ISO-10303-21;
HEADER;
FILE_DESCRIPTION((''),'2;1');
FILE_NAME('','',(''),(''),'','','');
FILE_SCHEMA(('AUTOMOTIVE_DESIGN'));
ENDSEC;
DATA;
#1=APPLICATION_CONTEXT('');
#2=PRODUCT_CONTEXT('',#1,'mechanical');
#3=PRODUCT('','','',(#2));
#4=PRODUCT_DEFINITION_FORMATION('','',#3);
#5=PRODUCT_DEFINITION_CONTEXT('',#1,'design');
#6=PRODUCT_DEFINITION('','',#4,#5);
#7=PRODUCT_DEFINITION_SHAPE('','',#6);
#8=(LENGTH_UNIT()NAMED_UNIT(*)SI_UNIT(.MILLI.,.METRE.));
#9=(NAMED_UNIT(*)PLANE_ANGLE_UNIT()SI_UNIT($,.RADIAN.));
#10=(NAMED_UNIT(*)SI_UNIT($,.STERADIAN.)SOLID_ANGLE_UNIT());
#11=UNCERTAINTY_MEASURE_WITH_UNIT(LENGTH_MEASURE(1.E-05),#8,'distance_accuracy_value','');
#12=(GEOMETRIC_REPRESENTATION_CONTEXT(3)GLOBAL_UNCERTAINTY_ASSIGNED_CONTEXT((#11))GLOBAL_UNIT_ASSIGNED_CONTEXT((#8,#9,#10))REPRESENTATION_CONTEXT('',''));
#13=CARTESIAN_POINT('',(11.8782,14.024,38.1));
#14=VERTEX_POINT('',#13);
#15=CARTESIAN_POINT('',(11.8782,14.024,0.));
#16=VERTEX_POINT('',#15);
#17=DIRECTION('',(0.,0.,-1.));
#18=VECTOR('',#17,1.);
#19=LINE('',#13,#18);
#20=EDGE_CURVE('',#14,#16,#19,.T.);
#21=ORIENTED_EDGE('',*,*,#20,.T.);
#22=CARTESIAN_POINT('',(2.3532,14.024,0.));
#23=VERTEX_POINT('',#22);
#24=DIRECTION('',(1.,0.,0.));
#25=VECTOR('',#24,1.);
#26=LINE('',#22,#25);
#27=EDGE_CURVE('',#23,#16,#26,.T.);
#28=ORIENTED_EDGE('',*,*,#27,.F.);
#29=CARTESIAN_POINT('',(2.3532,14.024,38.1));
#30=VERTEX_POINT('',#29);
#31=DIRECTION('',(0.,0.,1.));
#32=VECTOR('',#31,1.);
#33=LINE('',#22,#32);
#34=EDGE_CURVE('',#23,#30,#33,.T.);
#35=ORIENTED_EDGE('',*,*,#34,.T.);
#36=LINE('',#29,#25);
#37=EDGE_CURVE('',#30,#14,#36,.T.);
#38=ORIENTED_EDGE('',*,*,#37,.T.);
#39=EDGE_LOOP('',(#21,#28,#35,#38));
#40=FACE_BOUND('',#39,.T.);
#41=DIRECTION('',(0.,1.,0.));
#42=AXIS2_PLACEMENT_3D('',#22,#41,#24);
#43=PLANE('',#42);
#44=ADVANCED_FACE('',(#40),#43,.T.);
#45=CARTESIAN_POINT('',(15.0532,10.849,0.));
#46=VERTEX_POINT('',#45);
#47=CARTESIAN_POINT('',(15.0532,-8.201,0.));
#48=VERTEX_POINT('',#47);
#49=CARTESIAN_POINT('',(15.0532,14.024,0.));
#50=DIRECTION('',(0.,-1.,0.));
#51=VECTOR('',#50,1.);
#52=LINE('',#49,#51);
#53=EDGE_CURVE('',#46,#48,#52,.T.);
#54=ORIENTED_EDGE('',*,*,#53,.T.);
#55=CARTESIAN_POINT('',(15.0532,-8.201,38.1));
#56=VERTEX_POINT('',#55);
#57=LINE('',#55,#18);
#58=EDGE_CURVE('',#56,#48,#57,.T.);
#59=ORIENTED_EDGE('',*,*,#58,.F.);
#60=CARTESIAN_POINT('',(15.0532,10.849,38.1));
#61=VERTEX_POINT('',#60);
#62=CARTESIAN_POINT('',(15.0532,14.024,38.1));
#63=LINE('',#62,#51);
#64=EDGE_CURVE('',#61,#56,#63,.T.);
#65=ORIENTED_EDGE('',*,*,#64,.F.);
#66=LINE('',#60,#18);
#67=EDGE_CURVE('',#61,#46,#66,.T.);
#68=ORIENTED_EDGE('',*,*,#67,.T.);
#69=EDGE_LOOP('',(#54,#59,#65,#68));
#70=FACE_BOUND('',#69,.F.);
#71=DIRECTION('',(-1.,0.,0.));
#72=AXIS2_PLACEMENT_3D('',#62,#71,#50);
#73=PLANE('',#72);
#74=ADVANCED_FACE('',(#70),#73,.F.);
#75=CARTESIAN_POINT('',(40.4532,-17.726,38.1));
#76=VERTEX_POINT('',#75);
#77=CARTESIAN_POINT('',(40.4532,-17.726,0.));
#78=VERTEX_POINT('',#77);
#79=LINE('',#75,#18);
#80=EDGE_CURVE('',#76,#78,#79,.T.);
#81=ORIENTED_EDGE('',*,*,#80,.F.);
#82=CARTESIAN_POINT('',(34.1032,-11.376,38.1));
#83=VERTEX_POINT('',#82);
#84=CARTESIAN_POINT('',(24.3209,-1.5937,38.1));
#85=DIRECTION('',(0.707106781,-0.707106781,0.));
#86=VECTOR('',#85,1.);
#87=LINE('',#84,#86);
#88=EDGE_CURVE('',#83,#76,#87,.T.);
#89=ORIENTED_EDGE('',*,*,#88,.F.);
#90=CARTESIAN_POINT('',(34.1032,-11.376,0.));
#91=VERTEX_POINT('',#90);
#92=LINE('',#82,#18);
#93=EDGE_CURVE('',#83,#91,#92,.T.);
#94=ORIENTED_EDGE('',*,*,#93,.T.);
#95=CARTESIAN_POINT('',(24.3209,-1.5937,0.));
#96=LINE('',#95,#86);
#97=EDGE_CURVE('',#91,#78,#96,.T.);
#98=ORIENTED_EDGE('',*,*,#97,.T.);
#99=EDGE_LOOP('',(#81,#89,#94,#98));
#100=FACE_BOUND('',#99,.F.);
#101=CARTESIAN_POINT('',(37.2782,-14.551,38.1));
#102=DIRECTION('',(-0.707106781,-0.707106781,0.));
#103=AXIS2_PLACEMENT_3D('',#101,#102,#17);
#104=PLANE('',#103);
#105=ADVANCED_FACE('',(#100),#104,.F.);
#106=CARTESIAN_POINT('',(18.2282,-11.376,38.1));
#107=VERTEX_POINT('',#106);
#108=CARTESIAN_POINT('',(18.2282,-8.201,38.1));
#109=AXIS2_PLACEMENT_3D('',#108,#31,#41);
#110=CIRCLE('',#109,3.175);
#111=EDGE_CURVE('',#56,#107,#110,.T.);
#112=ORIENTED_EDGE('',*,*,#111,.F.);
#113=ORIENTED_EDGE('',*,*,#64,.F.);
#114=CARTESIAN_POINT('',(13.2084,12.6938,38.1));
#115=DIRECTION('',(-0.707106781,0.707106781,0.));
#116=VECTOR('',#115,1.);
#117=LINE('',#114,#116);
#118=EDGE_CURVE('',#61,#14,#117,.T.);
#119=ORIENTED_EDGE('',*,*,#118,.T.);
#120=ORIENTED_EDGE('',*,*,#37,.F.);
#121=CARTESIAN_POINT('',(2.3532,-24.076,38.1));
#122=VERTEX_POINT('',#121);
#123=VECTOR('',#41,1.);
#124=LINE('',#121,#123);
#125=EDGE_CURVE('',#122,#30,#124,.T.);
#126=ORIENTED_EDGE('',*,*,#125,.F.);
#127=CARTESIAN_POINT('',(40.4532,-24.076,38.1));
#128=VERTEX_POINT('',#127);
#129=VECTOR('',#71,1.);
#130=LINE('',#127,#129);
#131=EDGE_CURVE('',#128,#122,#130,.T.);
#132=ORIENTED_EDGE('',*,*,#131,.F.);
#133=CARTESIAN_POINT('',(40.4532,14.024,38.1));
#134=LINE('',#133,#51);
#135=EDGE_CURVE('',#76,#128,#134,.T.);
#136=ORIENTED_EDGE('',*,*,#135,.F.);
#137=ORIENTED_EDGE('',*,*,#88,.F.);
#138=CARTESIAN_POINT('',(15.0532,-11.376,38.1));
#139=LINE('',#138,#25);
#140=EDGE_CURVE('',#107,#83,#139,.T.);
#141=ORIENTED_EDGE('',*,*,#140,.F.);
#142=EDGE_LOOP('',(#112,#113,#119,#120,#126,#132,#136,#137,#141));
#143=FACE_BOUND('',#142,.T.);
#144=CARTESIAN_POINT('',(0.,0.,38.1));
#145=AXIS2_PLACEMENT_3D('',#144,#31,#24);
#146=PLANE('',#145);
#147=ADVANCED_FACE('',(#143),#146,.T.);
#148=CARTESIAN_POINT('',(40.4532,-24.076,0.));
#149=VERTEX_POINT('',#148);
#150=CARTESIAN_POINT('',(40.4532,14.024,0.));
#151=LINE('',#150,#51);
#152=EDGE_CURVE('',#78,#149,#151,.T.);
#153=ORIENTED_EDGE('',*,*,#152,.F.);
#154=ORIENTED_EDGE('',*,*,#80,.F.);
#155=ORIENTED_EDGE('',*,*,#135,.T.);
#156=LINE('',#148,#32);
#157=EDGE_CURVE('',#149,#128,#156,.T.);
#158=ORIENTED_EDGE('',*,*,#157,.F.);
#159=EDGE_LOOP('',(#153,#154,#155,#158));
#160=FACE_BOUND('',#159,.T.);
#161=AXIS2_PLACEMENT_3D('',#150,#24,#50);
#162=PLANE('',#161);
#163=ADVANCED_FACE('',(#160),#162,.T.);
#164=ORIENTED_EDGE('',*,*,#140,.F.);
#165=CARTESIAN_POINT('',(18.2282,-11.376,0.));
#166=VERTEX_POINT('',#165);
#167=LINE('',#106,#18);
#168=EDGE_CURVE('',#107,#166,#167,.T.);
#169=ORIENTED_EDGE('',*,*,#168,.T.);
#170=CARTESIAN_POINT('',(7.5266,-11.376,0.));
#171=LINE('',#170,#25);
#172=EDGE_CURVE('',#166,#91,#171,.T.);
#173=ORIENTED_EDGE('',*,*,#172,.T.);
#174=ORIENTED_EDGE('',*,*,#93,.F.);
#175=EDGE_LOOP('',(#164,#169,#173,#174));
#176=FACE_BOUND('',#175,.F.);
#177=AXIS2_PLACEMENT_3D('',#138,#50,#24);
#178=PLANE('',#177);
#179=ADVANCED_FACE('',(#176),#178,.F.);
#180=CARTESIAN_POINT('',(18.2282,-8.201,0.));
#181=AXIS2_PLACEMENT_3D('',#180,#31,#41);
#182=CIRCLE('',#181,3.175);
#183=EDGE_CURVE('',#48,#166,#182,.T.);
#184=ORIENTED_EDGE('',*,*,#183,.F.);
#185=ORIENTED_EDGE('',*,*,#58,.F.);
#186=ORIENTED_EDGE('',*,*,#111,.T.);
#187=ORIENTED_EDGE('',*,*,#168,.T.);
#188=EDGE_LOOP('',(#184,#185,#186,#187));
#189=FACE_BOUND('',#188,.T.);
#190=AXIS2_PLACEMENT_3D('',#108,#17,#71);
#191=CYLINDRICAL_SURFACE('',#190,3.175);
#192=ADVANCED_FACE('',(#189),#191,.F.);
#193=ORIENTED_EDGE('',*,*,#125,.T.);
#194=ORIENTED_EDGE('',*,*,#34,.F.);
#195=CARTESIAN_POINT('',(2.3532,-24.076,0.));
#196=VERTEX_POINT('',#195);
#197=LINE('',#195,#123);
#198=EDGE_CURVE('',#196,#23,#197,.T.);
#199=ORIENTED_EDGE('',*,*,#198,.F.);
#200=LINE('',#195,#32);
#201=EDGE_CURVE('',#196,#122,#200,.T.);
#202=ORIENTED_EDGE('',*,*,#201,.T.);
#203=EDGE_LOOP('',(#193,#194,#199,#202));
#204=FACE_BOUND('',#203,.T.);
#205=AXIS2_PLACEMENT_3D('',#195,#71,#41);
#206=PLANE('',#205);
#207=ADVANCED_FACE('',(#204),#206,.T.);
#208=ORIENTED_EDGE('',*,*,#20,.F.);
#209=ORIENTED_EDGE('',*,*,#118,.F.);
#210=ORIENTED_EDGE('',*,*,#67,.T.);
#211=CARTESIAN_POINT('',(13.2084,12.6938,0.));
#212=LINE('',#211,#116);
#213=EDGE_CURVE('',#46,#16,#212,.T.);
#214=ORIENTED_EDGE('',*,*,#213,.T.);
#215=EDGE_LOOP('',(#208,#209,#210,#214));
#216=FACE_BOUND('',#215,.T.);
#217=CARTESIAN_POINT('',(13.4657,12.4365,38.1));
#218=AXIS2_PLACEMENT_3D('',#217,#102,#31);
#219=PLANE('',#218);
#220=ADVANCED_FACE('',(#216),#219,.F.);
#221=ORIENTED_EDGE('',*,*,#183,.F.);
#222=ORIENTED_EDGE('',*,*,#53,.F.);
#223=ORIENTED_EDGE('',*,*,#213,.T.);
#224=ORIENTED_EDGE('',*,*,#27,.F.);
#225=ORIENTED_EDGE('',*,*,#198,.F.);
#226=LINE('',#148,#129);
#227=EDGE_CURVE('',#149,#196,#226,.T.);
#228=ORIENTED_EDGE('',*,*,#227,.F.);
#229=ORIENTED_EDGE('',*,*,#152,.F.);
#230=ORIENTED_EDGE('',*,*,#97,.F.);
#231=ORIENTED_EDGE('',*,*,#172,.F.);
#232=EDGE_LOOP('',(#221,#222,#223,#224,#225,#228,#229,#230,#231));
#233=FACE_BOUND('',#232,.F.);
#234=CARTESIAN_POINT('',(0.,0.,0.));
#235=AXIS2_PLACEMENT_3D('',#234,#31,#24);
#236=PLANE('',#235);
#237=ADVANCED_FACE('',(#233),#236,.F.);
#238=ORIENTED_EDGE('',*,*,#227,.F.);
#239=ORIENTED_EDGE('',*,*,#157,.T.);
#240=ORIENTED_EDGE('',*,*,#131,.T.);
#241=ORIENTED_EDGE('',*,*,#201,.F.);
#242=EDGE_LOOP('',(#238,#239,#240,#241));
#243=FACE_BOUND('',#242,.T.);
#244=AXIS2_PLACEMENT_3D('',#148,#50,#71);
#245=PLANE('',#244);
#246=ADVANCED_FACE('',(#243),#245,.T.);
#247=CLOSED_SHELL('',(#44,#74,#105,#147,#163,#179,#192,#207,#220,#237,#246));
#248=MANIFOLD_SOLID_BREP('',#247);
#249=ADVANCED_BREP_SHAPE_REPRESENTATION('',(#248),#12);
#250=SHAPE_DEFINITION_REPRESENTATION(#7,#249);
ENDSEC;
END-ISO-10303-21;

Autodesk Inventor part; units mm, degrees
ref_plane "YZ Plane" through (0, 0, 0) normal (1, 0, 0) x (0, 1, 0)
ref_plane "XZ Plane" through (0, 0, 0) normal (0, 1, 0) x (-1, 0, 0)
ref_plane "XY Plane" through (0, 0, 0) normal (0, 0, 1) x (1, 0, 0)
sketch "Sketch1" plane through (0, 0, 0) normal (0, 0, 1) x (1, 0, 0)
  line L0 (2.3532, 14.024) -> (40.4532, 14.024)
  line L1 (40.4532, 14.024) -> (40.4532, -24.076)
  line L2 (40.4532, -24.076) -> (2.3532, -24.076)
  line L3 (2.3532, -24.076) -> (2.3532, 14.024)
  point P0 (0, 0)
  dimension "d0" = 38.1
  dimension "d1" = 38.1
extrude "Extrusion1" add sketch "Sketch1" along normal blind 38.1
sketch "Sketch2" plane through (0, 0, 38.1) normal (0, 0, 1) x (1, 0, 0)
  line L0 (15.0532, 14.024) -> (15.0532, 1.324)
  line L1 (40.4532, 14.024) -> (15.0532, 14.024)
  line L2 (15.0532, 14.024) -> (15.0532, -11.376)
  line L3 (15.0532, -11.376) -> (40.4532, -11.376)
  line L4 (40.4532, -11.376) -> (40.4532, 14.024)
  point P0 (0, 0)
  point P1 (2.3532, 14.024)
  point P2 (40.4532, -24.076)
  dimension "d5" = 12.7
extrude "Extrusion2" cut sketch "Sketch2" against normal through all
fillet "Fillet4" radius 3.175 1 edges at (15.0532, -11.376, 19.05)
chamfer "Chamfer5" distance 3.175 angle 45 1 edges at (15.0532, 14.024, 19.05)
chamfer "Chamfer6" distance 6.35 angle 45 1 edges at (40.4532, -11.376, 19.05)
properties part number "Chamfer Part"
